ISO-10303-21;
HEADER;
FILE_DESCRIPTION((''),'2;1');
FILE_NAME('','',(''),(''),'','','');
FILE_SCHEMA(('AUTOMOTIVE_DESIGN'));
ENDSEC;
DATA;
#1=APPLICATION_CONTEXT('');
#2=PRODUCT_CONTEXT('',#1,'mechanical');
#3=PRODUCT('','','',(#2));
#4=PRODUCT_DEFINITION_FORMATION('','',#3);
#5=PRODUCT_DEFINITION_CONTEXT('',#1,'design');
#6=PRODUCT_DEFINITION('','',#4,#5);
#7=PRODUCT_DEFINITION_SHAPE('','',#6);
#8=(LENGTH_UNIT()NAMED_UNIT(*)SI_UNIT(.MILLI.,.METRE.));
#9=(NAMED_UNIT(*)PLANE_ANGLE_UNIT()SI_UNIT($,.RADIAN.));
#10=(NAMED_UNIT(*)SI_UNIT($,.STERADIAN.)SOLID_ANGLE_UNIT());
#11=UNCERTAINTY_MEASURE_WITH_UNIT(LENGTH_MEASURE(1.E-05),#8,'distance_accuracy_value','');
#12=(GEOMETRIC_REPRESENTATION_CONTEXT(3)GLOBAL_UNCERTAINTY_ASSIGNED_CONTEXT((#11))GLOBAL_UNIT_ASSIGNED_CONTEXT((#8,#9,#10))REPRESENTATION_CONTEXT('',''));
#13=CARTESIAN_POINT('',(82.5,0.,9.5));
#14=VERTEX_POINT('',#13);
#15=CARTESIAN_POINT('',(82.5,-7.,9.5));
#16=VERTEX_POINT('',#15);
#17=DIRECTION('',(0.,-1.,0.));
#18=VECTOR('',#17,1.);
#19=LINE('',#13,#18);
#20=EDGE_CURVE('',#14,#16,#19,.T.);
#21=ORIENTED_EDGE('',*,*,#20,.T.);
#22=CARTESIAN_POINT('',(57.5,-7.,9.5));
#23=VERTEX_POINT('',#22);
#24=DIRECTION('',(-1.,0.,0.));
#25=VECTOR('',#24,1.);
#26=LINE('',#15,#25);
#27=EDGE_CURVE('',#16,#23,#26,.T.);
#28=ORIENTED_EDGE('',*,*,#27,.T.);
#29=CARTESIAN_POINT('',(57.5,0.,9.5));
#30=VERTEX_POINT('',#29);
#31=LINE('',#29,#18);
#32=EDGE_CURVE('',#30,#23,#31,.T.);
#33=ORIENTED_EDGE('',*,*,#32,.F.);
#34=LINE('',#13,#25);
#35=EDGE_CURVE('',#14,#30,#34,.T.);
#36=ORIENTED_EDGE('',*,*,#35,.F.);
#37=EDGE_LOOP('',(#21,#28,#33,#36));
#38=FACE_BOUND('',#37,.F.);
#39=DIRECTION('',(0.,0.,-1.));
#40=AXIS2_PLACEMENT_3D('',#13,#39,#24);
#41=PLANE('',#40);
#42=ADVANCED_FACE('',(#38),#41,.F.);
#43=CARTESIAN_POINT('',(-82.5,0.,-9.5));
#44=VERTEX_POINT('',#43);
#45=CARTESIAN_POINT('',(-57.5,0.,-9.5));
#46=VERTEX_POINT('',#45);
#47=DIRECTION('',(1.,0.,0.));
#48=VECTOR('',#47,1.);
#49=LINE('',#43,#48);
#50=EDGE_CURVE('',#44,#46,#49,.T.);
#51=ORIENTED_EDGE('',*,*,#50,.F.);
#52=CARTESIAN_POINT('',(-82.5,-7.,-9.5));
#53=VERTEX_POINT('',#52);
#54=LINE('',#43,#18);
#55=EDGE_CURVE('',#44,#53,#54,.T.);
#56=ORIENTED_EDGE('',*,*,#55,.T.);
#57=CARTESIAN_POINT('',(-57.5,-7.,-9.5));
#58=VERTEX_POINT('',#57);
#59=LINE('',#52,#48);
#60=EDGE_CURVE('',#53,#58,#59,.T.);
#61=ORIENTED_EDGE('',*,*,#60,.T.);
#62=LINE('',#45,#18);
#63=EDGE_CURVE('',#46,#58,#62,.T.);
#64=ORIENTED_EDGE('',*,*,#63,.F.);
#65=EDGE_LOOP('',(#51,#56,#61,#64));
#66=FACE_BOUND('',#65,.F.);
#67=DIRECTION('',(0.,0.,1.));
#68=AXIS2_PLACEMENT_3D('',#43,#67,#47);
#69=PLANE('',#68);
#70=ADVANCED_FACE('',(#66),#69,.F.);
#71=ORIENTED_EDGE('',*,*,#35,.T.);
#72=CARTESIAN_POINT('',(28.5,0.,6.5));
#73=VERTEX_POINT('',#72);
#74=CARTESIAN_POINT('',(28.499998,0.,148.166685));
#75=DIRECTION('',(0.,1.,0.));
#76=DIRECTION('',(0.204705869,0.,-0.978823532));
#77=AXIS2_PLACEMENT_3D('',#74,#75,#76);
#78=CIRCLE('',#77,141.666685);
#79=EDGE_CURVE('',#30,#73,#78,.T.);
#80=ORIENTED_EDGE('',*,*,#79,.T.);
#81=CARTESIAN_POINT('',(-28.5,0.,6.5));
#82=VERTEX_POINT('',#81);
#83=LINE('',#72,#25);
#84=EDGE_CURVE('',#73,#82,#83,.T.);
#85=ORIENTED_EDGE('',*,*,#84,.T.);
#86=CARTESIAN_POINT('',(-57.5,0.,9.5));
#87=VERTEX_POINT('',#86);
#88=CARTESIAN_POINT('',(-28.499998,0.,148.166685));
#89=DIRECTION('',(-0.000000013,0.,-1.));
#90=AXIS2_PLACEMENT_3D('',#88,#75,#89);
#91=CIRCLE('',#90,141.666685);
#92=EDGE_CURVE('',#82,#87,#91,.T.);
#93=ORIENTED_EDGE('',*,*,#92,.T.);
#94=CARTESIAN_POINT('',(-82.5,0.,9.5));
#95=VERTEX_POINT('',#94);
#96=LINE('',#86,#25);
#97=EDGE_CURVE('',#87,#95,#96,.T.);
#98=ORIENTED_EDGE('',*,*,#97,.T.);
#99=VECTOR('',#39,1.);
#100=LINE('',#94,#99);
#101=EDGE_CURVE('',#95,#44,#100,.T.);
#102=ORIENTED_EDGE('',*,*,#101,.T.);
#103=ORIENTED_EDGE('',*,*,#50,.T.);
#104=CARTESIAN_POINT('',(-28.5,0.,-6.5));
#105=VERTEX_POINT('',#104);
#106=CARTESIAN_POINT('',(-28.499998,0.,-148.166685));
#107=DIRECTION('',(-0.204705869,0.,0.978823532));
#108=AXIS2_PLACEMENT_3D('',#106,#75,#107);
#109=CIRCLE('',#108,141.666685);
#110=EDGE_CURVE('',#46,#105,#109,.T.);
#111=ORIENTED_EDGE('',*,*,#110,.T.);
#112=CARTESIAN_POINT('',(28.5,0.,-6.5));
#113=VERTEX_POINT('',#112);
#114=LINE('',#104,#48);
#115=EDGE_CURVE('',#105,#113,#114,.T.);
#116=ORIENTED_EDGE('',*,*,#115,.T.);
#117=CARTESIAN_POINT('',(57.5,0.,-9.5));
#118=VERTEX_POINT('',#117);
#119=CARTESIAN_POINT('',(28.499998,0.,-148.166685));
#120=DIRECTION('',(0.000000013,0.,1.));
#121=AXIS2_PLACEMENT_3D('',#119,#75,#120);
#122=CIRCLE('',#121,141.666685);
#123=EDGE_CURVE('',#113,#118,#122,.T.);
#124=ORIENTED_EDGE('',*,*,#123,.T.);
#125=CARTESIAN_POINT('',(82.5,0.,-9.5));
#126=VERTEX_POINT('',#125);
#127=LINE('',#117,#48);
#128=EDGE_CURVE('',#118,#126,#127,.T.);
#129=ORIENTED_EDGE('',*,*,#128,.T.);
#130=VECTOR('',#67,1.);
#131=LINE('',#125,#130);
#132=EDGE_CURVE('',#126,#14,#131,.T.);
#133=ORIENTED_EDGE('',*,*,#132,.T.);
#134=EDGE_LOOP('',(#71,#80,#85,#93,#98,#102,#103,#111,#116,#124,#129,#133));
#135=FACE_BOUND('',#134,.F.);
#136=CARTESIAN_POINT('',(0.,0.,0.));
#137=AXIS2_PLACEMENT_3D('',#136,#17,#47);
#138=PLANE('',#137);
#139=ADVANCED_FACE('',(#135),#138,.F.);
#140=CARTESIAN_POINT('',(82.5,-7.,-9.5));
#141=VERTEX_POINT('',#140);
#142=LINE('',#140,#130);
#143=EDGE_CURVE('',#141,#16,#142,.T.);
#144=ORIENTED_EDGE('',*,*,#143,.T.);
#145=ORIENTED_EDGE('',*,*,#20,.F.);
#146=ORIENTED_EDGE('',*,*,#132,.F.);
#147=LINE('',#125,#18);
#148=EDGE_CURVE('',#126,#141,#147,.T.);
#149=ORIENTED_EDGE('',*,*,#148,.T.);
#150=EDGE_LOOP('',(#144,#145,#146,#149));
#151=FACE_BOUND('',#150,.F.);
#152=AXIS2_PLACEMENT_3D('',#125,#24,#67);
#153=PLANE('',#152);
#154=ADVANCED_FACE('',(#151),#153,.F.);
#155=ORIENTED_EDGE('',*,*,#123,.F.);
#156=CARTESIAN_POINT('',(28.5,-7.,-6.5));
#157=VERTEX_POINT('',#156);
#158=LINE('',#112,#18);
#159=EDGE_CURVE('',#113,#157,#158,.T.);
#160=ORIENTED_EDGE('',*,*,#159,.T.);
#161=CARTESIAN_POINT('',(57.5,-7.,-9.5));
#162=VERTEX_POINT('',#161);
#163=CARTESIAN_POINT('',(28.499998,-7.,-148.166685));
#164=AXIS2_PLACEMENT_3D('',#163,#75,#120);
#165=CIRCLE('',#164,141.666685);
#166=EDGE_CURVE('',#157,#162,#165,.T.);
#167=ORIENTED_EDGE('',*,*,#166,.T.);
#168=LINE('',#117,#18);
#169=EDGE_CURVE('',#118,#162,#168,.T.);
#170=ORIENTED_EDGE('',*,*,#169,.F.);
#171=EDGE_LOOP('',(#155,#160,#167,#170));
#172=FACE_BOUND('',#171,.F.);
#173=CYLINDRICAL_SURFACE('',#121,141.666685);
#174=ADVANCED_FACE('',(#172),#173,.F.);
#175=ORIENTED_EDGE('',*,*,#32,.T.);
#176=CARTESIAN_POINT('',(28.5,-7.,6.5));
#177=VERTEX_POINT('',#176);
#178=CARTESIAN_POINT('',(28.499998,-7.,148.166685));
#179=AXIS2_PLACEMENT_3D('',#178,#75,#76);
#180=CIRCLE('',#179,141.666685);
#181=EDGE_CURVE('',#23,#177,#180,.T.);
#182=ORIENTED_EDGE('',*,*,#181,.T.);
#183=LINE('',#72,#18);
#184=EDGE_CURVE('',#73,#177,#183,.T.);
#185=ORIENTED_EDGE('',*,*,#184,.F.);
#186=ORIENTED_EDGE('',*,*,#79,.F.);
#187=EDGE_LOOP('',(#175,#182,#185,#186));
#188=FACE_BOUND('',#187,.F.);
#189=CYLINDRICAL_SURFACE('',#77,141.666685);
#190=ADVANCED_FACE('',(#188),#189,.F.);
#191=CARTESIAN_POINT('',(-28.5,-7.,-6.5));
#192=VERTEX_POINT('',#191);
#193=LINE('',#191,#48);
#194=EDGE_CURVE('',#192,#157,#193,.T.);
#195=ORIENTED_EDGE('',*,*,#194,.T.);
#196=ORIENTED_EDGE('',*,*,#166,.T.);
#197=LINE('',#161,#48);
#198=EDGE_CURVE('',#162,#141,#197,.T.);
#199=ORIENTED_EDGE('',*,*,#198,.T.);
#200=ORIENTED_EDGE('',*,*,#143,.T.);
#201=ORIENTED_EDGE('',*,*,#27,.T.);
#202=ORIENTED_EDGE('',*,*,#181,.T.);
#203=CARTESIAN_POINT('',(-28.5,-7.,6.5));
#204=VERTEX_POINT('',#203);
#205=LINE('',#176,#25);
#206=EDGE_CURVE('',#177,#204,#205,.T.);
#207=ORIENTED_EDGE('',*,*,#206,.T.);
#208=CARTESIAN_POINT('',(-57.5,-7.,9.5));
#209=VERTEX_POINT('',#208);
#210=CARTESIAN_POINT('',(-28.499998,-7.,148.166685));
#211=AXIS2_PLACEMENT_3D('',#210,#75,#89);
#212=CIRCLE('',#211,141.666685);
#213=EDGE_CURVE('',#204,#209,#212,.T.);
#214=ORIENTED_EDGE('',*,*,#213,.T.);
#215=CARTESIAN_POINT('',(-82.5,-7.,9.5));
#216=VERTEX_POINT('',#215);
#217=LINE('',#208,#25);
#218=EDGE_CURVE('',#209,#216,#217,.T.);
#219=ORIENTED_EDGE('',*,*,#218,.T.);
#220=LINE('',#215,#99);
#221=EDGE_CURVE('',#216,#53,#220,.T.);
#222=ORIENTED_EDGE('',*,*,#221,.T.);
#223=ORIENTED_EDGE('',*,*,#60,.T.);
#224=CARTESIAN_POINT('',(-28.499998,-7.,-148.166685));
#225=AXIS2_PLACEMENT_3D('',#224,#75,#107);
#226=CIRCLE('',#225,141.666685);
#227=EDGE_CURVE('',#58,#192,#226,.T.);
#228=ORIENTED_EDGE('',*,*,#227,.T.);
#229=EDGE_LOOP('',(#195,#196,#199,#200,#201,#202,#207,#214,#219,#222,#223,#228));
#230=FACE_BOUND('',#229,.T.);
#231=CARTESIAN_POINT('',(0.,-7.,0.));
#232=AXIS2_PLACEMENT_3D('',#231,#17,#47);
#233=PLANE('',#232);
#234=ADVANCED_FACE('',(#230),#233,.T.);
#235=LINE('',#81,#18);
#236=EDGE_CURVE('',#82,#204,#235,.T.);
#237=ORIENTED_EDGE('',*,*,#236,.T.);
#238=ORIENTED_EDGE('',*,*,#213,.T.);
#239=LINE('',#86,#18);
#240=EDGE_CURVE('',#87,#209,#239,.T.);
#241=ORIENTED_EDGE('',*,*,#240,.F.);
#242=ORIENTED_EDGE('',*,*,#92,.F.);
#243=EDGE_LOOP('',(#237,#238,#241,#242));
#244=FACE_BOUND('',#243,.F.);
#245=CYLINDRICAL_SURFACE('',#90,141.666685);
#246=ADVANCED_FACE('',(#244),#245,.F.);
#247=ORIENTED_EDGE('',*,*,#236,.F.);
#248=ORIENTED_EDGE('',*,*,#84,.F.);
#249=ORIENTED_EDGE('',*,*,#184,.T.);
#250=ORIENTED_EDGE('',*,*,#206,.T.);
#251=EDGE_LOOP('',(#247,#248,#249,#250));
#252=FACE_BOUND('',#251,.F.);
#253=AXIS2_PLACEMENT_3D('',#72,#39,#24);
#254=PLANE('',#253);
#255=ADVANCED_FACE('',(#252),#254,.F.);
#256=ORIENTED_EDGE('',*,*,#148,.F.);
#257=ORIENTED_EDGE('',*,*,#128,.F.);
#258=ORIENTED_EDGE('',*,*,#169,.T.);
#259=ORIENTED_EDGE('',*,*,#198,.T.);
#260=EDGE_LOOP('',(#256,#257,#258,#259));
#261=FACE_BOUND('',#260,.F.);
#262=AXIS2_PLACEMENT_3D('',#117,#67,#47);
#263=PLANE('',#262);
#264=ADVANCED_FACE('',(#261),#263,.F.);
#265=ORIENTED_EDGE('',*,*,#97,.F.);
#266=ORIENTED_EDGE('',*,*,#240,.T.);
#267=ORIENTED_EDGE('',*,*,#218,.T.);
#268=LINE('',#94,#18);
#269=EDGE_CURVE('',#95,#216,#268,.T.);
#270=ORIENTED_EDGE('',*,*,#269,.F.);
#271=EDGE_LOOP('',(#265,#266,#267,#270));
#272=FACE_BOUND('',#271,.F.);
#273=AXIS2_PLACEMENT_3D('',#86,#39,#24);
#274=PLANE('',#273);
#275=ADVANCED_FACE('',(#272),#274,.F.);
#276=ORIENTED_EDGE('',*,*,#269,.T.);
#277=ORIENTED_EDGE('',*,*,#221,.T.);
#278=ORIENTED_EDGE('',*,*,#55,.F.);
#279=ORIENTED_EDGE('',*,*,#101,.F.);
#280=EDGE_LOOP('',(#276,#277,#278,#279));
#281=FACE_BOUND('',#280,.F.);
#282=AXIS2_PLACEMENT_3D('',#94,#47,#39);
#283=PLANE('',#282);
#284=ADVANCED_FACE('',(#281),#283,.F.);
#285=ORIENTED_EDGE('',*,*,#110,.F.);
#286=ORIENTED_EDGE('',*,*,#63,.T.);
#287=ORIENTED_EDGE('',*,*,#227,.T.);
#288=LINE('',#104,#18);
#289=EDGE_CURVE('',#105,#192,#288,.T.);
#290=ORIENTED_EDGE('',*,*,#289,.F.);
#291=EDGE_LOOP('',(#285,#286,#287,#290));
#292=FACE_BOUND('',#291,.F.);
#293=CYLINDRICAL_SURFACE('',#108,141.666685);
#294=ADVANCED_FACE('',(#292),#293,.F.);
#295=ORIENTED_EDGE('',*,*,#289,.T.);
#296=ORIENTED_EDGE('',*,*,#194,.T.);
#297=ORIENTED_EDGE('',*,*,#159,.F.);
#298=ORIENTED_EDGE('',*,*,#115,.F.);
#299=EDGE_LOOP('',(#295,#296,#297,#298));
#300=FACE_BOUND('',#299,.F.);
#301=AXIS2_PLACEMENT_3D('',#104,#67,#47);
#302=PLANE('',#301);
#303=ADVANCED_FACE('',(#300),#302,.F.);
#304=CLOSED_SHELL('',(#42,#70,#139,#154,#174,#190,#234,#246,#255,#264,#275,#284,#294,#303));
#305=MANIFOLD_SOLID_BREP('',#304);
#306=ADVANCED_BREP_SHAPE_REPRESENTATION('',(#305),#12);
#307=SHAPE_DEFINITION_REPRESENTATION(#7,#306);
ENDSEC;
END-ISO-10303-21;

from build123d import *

# Parameters (mm, degrees)
F1_DEPTH = 7


with BuildPart() as f1:
    # F0 (on Front) → F1 (new body)
    with BuildSketch(Plane.XZ):
        with BuildLine():
            Line((28.5, 6.5), (0, 6.5))
            Line((0, 6.5), (-28.5, 6.5))
            ThreePointArc((-28.5, 6.5), (-43.07738, 7.251996), (-57.5, 9.5))
            Line((-57.5, 9.5), (-82.5, 9.5))
            Line((-82.5, 9.5), (-82.5, 0))
            Line((-82.5, 0), (-82.5, -9.5))
            Line((-82.5, -9.5), (-57.5, -9.5))
            ThreePointArc((-57.5, -9.5), (-43.07738, -7.251996), (-28.5, -6.5))
            Line((-28.5, -6.5), (0, -6.5))
            Line((0, -6.5), (28.5, -6.5))
            ThreePointArc((28.5, -6.5), (43.07738, -7.251996), (57.5, -9.5))
            Line((57.5, -9.5), (82.5, -9.5))
            Line((82.5, -9.5), (82.5, 0))
            Line((82.5, 0), (82.5, 9.5))
            Line((82.5, 9.5), (57.5, 9.5))
            ThreePointArc((57.5, 9.5), (43.07738, 7.251996), (28.5, 6.5))
        make_face()
    extrude(amount=F1_DEPTH)


solid = f1.part
